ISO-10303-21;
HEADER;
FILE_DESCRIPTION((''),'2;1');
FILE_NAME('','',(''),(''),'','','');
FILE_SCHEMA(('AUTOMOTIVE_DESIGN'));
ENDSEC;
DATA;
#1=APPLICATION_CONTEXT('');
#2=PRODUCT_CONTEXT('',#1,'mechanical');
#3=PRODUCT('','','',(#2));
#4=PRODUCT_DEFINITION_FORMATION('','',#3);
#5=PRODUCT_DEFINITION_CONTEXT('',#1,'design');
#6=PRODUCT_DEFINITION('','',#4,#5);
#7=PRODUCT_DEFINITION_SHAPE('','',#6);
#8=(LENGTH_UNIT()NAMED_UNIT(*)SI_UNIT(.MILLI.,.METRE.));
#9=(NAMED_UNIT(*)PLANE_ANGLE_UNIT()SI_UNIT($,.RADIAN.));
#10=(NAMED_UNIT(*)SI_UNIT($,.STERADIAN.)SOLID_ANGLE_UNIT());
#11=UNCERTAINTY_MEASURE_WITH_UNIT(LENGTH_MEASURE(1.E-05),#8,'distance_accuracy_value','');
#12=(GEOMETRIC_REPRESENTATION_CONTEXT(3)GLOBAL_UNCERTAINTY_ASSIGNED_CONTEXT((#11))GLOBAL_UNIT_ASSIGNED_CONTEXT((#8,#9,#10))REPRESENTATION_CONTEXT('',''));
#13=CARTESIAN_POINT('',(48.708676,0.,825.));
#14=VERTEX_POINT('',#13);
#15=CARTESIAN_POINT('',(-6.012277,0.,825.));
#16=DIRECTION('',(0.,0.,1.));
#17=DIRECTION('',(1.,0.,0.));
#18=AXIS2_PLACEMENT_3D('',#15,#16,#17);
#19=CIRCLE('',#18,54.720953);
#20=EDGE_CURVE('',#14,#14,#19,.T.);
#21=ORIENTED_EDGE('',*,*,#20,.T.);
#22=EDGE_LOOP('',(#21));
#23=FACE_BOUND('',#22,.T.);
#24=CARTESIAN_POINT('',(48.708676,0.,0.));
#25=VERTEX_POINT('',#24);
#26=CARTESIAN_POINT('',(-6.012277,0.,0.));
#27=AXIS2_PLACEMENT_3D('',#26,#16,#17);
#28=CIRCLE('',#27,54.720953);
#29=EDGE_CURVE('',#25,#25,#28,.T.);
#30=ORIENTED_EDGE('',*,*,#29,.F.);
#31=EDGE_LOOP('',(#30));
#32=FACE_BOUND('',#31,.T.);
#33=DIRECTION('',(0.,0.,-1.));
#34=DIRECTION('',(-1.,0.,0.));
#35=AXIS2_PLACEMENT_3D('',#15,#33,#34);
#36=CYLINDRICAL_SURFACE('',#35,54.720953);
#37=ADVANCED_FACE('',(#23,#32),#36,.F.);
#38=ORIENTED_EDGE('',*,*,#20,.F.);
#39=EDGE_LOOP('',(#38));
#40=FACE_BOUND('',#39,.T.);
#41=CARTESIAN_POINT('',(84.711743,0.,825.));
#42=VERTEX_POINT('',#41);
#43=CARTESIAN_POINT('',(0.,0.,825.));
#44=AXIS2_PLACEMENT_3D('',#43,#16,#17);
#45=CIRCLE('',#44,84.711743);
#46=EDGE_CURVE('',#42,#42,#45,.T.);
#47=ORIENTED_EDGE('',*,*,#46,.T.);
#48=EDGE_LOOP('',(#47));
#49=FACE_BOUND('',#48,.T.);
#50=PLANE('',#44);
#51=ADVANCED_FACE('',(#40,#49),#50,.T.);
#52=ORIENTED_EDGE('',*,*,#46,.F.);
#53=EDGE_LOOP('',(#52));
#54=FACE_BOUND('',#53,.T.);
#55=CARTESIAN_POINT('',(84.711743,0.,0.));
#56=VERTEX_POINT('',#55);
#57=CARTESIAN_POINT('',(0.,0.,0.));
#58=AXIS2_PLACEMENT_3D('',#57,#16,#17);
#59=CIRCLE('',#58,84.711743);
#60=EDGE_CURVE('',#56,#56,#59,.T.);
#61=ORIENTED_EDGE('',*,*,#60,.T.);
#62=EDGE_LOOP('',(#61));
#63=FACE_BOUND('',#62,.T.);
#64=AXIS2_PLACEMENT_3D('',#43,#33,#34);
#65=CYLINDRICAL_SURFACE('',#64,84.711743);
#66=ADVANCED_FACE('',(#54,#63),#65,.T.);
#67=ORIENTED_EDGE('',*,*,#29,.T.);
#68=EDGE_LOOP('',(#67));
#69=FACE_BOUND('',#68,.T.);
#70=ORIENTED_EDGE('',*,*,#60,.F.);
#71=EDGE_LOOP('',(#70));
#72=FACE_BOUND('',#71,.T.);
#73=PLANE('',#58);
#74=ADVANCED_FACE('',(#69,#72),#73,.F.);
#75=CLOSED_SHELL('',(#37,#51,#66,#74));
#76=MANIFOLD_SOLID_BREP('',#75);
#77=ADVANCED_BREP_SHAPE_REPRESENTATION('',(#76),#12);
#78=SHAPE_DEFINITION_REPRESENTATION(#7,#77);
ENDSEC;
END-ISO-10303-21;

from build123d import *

# Parameters (mm, degrees)
SKETCH2_R           = 84.71174294
SKETCH2_R_2         = 54.720953129
BOSS_EXTRUDE2_DEPTH = 825


with BuildPart() as part:
    # Sketch2 → Boss-Extrude2 (new body)
    with BuildSketch(Plane.XY):
        Circle(SKETCH2_R)
        with Locations((-6.012276889, 0)):
            Circle(SKETCH2_R_2, mode=Mode.SUBTRACT)
    extrude(amount=BOSS_EXTRUDE2_DEPTH)


solid = part.part
